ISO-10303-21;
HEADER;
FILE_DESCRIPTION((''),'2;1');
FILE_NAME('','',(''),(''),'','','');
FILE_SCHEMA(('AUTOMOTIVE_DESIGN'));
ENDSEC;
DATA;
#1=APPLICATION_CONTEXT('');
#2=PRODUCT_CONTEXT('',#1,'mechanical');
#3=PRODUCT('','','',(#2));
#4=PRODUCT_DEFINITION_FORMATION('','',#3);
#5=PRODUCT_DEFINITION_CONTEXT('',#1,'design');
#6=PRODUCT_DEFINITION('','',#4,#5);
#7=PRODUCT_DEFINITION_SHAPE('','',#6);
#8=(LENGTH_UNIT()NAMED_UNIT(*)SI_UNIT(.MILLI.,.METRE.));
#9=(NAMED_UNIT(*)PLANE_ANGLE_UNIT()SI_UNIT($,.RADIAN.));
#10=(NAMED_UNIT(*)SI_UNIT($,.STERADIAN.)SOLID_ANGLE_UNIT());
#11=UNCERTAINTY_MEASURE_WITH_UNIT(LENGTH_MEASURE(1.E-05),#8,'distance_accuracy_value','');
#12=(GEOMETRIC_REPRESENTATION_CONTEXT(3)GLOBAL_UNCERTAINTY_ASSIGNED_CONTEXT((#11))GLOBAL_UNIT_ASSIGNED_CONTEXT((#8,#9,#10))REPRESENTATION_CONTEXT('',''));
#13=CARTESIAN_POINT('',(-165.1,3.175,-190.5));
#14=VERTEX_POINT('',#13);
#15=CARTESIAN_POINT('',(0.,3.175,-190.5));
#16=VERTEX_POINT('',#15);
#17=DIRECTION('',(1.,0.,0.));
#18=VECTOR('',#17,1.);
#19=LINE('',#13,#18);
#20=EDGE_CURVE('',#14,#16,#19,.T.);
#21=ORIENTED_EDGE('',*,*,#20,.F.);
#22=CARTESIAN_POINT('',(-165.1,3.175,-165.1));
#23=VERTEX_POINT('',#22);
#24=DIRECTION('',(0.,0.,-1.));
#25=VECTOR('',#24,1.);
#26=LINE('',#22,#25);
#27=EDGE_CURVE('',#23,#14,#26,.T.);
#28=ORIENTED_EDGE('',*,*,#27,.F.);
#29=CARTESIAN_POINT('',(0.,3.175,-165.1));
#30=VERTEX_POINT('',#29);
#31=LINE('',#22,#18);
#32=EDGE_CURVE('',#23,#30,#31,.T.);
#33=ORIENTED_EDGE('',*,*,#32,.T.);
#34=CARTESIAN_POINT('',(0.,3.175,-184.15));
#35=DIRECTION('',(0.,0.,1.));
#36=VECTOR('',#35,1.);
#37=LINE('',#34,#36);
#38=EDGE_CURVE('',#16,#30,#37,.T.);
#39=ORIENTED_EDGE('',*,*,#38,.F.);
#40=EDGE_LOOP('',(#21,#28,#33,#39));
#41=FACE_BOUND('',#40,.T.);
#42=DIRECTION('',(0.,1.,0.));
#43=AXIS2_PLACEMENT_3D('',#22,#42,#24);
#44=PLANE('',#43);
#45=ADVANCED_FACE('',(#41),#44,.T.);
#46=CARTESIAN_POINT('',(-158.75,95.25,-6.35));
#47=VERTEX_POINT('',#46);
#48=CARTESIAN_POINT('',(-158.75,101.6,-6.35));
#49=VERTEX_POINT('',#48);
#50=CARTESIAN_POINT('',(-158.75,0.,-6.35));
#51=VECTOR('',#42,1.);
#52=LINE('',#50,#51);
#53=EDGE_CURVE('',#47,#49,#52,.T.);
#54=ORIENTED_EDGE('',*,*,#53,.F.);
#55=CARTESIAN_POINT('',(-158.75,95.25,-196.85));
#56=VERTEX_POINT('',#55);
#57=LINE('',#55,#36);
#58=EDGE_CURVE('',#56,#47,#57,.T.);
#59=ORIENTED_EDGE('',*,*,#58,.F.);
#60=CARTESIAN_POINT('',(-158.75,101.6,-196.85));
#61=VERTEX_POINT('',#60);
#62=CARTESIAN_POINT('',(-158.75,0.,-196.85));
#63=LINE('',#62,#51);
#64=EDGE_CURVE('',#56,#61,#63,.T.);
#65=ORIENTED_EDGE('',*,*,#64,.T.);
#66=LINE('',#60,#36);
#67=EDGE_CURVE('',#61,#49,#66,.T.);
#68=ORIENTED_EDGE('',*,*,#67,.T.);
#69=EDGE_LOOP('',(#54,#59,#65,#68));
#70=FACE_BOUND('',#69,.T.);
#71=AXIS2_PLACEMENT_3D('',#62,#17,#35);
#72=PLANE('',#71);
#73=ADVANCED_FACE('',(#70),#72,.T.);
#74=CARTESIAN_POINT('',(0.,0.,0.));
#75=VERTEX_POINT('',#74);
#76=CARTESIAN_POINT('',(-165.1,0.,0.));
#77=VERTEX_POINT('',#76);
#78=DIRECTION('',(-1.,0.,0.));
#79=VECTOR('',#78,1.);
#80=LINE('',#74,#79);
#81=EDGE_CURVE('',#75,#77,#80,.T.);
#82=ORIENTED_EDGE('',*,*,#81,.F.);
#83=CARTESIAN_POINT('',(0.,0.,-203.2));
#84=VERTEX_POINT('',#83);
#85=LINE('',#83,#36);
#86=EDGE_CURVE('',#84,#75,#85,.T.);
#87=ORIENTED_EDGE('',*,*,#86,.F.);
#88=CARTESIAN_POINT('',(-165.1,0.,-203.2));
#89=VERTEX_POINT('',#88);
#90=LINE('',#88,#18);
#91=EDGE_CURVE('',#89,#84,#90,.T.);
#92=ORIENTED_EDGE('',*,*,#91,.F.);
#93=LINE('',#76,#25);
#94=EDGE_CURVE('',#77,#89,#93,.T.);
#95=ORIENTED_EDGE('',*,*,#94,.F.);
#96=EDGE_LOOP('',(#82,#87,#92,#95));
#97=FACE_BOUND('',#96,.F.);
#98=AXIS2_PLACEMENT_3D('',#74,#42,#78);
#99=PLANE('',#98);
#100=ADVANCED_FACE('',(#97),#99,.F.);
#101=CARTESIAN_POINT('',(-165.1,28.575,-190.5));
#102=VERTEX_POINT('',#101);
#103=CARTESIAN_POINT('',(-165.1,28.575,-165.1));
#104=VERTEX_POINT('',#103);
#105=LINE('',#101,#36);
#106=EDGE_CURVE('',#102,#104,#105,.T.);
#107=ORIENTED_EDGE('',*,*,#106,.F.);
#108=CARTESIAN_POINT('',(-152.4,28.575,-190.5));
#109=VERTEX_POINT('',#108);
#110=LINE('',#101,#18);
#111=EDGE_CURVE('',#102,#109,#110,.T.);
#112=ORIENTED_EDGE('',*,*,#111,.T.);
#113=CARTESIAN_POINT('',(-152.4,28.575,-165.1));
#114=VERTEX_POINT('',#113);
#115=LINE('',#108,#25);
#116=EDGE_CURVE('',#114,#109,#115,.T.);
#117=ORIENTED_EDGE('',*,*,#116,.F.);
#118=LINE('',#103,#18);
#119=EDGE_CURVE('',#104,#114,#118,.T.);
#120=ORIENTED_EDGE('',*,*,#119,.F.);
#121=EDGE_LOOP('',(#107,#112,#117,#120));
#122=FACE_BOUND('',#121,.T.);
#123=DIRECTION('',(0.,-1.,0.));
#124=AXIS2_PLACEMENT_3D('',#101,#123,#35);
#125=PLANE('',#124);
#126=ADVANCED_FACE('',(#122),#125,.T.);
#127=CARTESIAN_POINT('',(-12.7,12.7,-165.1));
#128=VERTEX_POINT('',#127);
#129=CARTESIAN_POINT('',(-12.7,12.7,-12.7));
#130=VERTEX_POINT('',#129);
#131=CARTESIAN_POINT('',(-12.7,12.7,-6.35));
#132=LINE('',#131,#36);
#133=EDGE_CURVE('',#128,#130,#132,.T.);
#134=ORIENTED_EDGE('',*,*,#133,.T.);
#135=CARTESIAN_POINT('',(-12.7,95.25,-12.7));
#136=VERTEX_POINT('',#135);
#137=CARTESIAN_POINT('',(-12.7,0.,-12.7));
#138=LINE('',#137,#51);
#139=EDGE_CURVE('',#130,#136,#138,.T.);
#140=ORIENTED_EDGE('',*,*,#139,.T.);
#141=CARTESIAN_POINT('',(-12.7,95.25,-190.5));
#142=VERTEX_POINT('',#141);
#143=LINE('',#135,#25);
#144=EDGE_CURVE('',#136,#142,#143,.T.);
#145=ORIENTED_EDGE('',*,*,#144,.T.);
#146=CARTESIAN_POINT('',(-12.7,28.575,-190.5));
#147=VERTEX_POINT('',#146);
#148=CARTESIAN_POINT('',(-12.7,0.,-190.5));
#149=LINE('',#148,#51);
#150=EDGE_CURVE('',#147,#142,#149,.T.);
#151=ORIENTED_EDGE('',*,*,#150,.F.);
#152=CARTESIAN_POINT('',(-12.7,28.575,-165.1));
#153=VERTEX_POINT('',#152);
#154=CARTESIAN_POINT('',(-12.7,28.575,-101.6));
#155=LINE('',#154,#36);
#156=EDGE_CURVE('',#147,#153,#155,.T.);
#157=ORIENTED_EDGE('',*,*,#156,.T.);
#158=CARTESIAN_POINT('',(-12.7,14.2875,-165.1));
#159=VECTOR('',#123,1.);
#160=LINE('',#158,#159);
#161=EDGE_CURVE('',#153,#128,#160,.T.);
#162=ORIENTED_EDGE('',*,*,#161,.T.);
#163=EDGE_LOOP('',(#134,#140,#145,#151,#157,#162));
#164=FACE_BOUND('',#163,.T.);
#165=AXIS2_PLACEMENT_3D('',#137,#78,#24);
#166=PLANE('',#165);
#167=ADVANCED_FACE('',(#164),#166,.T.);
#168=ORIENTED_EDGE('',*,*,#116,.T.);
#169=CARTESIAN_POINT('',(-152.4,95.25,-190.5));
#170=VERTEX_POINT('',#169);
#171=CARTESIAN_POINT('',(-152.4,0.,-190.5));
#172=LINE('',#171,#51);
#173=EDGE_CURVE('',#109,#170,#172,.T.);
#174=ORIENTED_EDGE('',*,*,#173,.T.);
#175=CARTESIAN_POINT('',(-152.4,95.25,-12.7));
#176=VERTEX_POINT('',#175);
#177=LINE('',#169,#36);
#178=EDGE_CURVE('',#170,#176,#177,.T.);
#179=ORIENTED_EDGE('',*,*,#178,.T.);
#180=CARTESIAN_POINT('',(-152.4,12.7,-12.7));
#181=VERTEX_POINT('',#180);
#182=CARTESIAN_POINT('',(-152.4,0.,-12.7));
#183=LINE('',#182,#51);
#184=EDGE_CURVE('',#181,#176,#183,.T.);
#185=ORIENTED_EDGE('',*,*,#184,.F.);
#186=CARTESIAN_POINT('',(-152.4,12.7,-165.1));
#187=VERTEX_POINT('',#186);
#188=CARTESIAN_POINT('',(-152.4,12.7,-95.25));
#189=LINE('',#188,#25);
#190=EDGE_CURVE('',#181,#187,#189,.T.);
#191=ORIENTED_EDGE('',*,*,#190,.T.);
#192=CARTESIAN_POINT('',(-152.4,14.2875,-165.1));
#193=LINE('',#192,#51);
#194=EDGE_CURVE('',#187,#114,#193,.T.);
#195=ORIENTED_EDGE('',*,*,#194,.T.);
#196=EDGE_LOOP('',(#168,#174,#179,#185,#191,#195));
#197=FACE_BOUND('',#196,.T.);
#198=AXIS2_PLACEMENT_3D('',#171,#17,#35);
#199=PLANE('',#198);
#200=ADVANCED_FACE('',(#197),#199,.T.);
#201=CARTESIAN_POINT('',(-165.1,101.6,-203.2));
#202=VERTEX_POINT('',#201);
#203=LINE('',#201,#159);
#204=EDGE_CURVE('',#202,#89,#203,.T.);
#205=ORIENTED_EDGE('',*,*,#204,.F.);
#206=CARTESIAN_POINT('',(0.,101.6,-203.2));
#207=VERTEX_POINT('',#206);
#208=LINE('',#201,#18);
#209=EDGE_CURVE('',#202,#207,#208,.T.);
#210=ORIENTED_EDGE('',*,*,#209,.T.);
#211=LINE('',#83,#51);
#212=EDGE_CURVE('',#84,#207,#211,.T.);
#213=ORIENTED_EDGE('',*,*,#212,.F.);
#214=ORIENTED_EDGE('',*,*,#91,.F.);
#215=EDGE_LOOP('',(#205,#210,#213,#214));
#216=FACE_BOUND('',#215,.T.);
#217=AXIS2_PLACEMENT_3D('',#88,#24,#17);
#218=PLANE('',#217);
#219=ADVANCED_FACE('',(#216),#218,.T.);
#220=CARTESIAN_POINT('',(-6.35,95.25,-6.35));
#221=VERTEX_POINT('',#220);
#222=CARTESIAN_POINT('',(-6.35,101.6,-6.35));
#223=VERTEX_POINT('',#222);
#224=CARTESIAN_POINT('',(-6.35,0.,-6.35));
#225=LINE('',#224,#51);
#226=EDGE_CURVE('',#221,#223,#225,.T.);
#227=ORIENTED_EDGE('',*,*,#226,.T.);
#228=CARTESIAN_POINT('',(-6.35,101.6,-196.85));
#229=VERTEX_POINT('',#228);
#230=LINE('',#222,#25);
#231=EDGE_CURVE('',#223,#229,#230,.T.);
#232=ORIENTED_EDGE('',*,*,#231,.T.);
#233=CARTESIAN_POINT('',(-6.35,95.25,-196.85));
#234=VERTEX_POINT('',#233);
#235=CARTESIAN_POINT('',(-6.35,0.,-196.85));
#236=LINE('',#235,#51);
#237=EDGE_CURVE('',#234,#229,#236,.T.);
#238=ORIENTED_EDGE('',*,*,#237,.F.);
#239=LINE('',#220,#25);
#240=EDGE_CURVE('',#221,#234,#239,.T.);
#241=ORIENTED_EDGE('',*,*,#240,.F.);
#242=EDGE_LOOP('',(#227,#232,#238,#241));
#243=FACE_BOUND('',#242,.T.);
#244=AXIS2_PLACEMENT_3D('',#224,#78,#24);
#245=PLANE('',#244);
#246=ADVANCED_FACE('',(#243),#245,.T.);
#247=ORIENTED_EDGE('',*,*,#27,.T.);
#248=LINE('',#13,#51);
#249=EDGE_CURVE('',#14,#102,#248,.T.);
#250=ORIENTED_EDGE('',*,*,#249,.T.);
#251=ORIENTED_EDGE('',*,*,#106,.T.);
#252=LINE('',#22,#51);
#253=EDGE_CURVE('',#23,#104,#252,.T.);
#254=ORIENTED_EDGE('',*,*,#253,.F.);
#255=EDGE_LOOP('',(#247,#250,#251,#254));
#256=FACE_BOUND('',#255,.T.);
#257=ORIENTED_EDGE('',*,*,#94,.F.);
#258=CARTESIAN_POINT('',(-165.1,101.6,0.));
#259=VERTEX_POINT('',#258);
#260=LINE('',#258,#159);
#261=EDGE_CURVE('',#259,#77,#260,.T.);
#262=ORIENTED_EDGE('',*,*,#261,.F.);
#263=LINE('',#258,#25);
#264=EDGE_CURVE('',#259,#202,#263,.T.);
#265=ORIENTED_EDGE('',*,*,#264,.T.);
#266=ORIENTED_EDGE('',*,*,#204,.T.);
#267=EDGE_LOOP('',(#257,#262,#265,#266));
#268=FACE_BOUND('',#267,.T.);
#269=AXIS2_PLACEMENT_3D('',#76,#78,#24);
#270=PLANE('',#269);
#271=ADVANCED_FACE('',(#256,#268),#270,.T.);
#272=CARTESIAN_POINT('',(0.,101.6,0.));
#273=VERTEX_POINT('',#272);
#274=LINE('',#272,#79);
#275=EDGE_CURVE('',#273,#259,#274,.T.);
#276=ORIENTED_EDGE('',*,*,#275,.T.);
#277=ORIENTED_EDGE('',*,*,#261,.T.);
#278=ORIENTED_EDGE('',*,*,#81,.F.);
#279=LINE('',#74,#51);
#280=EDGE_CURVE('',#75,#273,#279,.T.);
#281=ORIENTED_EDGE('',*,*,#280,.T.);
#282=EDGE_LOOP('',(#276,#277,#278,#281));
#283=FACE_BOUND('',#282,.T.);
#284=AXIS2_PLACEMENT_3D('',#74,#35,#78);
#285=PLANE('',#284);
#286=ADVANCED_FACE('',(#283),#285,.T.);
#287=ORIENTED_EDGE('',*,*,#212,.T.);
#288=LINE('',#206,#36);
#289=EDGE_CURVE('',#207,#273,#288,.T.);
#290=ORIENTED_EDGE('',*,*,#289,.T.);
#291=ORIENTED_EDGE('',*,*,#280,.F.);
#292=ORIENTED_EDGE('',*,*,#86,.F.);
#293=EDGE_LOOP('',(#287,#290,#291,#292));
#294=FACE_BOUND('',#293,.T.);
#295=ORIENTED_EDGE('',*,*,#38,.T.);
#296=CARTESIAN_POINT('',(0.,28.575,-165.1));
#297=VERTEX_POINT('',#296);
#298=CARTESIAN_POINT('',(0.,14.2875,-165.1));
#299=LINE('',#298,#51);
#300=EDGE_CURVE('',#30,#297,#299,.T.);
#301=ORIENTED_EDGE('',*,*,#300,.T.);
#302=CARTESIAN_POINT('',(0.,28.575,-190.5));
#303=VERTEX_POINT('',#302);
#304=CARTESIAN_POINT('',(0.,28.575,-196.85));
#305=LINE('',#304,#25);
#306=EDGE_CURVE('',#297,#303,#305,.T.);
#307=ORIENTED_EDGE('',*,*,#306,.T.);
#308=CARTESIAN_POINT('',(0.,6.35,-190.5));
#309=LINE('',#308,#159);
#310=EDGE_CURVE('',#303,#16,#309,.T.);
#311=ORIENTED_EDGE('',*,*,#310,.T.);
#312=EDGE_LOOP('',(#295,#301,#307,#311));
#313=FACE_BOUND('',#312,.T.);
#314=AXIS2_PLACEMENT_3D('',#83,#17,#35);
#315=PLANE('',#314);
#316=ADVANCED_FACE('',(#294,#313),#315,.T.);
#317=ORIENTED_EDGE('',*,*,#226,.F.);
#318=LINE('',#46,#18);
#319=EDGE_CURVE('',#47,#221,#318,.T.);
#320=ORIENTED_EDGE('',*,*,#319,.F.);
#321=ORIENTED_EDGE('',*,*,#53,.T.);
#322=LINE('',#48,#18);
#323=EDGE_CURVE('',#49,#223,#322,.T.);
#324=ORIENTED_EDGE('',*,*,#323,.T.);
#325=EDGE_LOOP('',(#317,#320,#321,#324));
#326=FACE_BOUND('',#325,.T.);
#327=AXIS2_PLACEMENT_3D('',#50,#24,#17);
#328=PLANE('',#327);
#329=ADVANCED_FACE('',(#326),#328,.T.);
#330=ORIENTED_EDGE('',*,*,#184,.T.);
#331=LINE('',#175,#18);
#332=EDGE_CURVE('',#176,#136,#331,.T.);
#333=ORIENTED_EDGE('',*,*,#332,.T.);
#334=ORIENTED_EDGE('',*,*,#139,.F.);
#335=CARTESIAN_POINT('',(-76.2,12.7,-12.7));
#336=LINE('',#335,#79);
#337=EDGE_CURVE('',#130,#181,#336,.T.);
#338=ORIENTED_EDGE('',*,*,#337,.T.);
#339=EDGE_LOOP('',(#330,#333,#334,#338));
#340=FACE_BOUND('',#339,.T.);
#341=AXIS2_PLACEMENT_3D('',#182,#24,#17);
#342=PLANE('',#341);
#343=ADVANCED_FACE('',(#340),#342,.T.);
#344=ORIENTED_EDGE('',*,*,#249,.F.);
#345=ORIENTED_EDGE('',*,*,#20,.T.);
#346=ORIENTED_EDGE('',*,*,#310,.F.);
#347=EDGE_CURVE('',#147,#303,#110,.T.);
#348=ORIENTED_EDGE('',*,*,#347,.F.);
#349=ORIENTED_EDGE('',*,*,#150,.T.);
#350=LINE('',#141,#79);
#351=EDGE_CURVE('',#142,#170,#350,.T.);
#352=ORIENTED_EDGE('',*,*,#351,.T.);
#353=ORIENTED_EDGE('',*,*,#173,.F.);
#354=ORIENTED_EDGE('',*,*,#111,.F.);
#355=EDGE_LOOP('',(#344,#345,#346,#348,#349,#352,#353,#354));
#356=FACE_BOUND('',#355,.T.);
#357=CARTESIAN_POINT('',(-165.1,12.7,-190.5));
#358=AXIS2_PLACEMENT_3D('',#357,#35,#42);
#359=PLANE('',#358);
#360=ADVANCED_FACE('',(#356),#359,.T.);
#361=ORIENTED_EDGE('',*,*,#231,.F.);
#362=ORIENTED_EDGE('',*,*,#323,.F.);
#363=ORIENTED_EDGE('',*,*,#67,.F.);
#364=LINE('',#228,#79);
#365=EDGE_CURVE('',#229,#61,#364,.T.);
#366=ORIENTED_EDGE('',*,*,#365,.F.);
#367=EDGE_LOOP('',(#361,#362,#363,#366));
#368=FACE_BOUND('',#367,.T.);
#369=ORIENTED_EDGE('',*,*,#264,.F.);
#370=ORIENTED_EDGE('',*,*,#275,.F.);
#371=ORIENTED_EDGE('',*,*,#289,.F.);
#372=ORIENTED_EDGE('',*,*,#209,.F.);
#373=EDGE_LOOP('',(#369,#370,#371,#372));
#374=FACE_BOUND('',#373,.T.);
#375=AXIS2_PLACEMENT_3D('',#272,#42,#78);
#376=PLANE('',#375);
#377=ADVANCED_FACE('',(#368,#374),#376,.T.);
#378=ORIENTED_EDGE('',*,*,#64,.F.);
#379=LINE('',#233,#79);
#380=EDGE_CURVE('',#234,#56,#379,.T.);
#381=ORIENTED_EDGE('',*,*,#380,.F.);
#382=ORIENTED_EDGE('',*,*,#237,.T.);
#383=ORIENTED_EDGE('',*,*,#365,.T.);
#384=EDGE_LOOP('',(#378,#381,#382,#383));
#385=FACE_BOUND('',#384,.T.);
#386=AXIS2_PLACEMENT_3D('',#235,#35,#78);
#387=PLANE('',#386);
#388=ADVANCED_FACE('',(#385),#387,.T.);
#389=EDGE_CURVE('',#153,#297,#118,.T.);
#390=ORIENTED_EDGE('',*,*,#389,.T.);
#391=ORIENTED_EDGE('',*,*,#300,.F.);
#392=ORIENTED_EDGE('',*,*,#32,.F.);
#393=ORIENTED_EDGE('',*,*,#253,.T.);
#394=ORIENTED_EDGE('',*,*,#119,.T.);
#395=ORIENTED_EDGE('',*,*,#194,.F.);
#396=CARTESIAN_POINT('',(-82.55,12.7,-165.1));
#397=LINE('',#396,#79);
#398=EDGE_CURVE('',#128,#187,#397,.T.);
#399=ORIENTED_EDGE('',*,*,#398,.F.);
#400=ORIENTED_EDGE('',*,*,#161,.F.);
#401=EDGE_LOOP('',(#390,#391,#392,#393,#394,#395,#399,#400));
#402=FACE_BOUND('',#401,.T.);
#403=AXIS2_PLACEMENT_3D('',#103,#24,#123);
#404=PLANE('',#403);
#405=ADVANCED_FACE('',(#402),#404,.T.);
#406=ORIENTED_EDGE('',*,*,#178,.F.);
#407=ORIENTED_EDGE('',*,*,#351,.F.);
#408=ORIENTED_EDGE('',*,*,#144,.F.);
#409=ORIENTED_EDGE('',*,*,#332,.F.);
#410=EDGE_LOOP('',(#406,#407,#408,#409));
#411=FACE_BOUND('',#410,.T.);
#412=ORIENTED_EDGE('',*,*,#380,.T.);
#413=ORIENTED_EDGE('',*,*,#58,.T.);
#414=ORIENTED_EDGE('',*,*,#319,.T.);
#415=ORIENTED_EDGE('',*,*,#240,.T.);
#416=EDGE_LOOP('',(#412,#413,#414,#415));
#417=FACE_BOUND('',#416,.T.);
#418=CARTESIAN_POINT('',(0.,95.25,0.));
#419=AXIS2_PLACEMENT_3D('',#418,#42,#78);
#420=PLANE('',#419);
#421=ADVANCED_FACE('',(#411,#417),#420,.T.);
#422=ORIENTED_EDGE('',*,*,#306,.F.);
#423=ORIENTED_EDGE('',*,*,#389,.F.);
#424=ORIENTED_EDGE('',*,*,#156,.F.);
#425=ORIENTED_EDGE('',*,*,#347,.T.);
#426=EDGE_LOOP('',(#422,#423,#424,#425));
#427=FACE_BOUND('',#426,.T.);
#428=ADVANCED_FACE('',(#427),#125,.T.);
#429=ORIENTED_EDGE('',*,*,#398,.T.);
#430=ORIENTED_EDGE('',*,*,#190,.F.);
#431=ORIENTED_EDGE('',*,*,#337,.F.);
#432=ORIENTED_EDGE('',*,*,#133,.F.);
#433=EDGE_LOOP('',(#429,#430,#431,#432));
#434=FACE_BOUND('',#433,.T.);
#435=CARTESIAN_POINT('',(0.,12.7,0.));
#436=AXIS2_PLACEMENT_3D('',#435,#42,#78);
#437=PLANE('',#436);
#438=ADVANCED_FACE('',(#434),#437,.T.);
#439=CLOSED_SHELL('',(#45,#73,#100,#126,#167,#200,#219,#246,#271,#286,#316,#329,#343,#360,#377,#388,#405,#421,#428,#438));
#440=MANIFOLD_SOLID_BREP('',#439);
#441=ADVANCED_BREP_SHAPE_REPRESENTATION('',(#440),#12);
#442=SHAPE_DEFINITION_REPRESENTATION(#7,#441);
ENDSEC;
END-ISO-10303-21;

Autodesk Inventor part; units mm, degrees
ref_plane "YZ Plane" through (0, 0, 0) normal (1, 0, 0) x (0, 1, 0)
ref_plane "XZ Plane" through (0, 0, 0) normal (0, 1, 0) x (-1, 0, 0)
ref_plane "XY Plane" through (0, 0, 0) normal (0, 0, 1) x (1, 0, 0)
sketch "Sketch1" plane through (0, 0, 0) normal (0, 1, 0) x (-1, 0, 0)
  line L0 (0, 0) -> (165.1, 0)
  line L1 (165.1, 0) -> (165.1, -203.2)
  line L2 (165.1, -203.2) -> (0, -203.2)
  line L3 (0, -203.2) -> (0, 0)
  line L4 (158.75, -196.85) -> (158.75, -6.35)
  line L5 (158.75, -6.35) -> (6.35, -6.35)
  line L6 (6.35, -6.35) -> (6.35, -196.85)
  line L7 (6.35, -196.85) -> (158.75, -196.85)
  line L8 (152.4, -190.5) -> (152.4, -12.7)
  line L9 (152.4, -12.7) -> (12.7, -12.7)
  line L10 (12.7, -12.7) -> (12.7, -190.5)
  line L11 (12.7, -190.5) -> (152.4, -190.5)
  dimension "d0" = 203.2
  dimension "d1" = 165.1
  dimension "d2" = 6.35
  dimension "d3" = 12.7
extrude "Extrusion1" add sketch "Sketch1" along normal blind 12.7 contours L0 L1 L2 L3 | L7 L6 L5 L4 | L11 L10 L9 L8
extrude "Extrusion2" add sketch "Sketch1" along normal blind 101.6 contours L0 L1 L2 L3
extrude "Extrusion3" add sketch "Sketch1" along normal blind 95.25 contours L7 L6 L5 L4
sketch "Sketch2" plane through (-165.1, 0, -203.2) normal (-1, 0, 0) x (0, 0, 1)
  line L0 (12.7, 12.7) -> (190.5, 12.7) projected
  line L1 (12.7, 28.575) -> (38.1, 28.575)
  line L2 (38.1, 28.575) -> (38.1, 3.175)
  line L3 (38.1, 3.175) -> (12.7, 3.175)
  line L4 (12.7, 3.175) -> (12.7, 28.575)
  line L5 (0, 0) -> (203.2, 0) projected
  dimension "d10" = 3.175
  dimension "d11" = 25.4
  dimension "d12" = 25.4
extrude "Extrusion4" cut sketch "Sketch2" against normal through all
properties part number "OGRobotBase" material "ABS Plastic"
